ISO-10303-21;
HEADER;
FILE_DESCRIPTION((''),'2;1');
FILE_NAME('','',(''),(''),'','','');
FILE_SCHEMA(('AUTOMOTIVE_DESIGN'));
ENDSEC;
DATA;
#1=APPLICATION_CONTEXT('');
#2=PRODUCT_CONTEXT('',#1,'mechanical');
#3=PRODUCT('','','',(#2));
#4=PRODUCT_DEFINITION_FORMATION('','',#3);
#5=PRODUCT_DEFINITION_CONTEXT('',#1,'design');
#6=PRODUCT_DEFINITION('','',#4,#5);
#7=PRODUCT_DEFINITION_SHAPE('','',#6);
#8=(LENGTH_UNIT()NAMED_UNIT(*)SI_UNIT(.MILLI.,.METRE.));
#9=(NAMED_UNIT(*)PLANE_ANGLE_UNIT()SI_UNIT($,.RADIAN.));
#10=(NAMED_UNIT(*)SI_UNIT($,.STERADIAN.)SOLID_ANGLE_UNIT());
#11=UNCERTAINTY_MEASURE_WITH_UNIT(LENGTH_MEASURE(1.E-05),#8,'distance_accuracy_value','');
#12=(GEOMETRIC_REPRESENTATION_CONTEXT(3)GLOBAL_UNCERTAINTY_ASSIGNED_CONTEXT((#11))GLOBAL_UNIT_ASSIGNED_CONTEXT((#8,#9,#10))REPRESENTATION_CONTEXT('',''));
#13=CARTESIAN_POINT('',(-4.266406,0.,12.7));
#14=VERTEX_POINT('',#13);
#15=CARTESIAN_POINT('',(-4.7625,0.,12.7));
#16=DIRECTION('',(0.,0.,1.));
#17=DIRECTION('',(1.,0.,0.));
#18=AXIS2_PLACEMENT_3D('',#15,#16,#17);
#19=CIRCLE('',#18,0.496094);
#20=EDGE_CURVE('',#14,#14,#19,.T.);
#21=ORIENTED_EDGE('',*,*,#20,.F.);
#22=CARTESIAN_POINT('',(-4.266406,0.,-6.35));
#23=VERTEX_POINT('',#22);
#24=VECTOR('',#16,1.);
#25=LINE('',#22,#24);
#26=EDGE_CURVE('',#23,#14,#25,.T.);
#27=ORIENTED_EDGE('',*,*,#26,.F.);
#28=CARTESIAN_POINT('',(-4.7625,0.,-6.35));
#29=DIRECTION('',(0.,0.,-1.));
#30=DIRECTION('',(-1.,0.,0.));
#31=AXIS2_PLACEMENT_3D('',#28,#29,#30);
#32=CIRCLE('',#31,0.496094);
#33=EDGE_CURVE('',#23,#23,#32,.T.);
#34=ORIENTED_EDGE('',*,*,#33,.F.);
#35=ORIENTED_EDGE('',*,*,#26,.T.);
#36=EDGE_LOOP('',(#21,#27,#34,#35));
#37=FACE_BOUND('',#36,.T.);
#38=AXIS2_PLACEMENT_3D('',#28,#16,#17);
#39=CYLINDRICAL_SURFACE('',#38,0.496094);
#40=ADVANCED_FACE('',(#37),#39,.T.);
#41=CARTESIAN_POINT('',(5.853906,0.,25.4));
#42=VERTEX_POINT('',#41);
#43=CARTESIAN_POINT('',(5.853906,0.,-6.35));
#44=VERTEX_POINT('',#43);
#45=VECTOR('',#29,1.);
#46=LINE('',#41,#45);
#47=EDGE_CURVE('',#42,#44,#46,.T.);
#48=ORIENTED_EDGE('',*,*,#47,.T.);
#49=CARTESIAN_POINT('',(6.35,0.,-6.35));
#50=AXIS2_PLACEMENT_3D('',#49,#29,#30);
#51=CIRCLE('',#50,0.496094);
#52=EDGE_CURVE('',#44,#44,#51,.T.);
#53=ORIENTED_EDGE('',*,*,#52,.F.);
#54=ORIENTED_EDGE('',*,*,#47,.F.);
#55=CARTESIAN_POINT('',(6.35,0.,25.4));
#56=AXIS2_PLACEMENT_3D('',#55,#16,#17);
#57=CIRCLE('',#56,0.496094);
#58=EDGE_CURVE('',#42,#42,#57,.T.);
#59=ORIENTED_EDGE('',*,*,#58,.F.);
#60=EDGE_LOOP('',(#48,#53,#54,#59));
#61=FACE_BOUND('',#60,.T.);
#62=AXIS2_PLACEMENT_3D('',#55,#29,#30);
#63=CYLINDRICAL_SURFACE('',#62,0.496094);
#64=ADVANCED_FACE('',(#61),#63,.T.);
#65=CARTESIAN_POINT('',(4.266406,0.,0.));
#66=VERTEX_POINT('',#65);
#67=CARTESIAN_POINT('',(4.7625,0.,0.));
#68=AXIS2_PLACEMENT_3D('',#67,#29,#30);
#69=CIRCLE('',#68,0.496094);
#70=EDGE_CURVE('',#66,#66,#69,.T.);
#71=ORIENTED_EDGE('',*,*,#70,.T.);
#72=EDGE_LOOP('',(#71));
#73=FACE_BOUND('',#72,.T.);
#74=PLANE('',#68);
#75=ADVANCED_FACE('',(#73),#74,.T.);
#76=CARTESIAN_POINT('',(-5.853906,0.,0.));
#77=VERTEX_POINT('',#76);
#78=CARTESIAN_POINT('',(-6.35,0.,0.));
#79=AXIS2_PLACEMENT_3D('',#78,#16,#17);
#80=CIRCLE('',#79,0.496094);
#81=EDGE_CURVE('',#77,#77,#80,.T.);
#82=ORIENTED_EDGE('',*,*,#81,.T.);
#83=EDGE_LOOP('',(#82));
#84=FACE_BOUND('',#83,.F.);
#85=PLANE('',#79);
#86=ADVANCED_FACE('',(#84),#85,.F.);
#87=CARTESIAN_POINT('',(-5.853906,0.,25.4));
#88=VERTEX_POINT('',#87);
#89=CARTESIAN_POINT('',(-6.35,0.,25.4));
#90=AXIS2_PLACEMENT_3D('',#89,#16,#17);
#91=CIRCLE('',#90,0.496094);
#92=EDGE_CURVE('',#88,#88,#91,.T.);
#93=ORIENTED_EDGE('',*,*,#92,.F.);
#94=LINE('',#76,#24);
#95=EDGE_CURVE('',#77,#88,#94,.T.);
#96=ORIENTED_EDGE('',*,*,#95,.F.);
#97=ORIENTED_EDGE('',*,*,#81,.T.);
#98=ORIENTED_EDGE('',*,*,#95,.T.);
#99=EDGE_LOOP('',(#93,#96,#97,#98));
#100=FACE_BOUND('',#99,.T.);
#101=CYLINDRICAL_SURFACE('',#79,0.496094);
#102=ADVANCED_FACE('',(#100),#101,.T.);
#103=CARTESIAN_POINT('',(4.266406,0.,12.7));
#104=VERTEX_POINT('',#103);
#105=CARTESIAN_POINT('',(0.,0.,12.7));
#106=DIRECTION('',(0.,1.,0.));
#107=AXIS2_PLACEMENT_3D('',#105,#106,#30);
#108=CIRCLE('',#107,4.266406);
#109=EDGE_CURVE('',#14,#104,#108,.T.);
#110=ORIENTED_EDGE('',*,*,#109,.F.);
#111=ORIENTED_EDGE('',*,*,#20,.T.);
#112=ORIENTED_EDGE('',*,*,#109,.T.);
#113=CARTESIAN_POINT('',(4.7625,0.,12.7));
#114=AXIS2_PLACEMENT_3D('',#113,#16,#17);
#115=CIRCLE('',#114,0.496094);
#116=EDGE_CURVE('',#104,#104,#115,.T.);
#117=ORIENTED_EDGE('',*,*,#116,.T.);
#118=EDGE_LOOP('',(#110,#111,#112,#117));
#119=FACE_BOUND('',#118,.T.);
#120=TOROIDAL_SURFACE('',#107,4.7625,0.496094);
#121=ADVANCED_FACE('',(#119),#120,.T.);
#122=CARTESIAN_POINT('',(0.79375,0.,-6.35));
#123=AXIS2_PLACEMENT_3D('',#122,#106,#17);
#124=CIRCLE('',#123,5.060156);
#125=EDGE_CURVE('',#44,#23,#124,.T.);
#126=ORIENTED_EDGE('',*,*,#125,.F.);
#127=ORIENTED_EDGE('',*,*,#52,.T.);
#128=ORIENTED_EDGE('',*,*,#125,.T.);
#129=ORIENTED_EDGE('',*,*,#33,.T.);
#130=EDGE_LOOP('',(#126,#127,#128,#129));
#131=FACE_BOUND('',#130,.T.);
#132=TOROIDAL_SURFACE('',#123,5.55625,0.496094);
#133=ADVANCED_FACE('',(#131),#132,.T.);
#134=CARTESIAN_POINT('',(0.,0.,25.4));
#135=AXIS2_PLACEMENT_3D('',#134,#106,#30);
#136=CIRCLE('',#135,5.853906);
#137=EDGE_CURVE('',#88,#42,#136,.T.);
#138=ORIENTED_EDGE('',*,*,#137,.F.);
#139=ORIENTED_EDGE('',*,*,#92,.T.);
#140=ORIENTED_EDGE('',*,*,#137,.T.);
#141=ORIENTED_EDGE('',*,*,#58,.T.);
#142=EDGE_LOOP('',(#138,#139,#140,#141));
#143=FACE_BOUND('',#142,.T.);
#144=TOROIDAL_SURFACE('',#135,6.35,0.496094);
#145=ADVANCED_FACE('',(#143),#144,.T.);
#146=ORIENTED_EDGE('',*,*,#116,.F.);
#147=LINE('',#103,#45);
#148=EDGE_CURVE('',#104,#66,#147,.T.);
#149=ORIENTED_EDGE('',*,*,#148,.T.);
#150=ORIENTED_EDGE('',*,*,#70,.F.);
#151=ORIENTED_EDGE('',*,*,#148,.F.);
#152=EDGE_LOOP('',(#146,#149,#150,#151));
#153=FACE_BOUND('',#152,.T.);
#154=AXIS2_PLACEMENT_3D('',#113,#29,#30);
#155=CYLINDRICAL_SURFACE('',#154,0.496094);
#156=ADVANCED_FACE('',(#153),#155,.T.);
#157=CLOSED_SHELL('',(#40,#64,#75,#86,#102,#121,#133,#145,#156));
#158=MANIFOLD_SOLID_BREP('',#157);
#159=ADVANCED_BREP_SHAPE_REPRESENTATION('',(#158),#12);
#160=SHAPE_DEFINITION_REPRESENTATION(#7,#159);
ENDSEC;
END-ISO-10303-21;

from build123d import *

# Parameters (mm, degrees)
F1_R = 0.496094


with BuildPart() as f2:
    # F2: sweep along a path in F0
    with BuildLine(Plane.XZ) as f2_path:
        Line((-6.35, 0), (-6.35, 25.4))
        ThreePointArc((-6.35, 25.4), (0, 31.75), (6.35, 25.4))
        Line((6.35, 25.4), (6.35, -6.35))
        ThreePointArc((6.35, -6.35), (0.79375, -11.90625), (-4.7625, -6.35))
        Line((-4.7625, -6.35), (-4.7625, 12.7))
        ThreePointArc((-4.7625, 12.7), (0, 17.4625), (4.7625, 12.7))
        Line((4.7625, 12.7), (4.7625, 0))
    # F1 (on Top) → F2 (sweep)
    with BuildSketch(Plane.XY):
        with Locations((-6.35, 0)):
            Circle(F1_R)
    sweep(path=f2_path.line)


solid = f2.part
